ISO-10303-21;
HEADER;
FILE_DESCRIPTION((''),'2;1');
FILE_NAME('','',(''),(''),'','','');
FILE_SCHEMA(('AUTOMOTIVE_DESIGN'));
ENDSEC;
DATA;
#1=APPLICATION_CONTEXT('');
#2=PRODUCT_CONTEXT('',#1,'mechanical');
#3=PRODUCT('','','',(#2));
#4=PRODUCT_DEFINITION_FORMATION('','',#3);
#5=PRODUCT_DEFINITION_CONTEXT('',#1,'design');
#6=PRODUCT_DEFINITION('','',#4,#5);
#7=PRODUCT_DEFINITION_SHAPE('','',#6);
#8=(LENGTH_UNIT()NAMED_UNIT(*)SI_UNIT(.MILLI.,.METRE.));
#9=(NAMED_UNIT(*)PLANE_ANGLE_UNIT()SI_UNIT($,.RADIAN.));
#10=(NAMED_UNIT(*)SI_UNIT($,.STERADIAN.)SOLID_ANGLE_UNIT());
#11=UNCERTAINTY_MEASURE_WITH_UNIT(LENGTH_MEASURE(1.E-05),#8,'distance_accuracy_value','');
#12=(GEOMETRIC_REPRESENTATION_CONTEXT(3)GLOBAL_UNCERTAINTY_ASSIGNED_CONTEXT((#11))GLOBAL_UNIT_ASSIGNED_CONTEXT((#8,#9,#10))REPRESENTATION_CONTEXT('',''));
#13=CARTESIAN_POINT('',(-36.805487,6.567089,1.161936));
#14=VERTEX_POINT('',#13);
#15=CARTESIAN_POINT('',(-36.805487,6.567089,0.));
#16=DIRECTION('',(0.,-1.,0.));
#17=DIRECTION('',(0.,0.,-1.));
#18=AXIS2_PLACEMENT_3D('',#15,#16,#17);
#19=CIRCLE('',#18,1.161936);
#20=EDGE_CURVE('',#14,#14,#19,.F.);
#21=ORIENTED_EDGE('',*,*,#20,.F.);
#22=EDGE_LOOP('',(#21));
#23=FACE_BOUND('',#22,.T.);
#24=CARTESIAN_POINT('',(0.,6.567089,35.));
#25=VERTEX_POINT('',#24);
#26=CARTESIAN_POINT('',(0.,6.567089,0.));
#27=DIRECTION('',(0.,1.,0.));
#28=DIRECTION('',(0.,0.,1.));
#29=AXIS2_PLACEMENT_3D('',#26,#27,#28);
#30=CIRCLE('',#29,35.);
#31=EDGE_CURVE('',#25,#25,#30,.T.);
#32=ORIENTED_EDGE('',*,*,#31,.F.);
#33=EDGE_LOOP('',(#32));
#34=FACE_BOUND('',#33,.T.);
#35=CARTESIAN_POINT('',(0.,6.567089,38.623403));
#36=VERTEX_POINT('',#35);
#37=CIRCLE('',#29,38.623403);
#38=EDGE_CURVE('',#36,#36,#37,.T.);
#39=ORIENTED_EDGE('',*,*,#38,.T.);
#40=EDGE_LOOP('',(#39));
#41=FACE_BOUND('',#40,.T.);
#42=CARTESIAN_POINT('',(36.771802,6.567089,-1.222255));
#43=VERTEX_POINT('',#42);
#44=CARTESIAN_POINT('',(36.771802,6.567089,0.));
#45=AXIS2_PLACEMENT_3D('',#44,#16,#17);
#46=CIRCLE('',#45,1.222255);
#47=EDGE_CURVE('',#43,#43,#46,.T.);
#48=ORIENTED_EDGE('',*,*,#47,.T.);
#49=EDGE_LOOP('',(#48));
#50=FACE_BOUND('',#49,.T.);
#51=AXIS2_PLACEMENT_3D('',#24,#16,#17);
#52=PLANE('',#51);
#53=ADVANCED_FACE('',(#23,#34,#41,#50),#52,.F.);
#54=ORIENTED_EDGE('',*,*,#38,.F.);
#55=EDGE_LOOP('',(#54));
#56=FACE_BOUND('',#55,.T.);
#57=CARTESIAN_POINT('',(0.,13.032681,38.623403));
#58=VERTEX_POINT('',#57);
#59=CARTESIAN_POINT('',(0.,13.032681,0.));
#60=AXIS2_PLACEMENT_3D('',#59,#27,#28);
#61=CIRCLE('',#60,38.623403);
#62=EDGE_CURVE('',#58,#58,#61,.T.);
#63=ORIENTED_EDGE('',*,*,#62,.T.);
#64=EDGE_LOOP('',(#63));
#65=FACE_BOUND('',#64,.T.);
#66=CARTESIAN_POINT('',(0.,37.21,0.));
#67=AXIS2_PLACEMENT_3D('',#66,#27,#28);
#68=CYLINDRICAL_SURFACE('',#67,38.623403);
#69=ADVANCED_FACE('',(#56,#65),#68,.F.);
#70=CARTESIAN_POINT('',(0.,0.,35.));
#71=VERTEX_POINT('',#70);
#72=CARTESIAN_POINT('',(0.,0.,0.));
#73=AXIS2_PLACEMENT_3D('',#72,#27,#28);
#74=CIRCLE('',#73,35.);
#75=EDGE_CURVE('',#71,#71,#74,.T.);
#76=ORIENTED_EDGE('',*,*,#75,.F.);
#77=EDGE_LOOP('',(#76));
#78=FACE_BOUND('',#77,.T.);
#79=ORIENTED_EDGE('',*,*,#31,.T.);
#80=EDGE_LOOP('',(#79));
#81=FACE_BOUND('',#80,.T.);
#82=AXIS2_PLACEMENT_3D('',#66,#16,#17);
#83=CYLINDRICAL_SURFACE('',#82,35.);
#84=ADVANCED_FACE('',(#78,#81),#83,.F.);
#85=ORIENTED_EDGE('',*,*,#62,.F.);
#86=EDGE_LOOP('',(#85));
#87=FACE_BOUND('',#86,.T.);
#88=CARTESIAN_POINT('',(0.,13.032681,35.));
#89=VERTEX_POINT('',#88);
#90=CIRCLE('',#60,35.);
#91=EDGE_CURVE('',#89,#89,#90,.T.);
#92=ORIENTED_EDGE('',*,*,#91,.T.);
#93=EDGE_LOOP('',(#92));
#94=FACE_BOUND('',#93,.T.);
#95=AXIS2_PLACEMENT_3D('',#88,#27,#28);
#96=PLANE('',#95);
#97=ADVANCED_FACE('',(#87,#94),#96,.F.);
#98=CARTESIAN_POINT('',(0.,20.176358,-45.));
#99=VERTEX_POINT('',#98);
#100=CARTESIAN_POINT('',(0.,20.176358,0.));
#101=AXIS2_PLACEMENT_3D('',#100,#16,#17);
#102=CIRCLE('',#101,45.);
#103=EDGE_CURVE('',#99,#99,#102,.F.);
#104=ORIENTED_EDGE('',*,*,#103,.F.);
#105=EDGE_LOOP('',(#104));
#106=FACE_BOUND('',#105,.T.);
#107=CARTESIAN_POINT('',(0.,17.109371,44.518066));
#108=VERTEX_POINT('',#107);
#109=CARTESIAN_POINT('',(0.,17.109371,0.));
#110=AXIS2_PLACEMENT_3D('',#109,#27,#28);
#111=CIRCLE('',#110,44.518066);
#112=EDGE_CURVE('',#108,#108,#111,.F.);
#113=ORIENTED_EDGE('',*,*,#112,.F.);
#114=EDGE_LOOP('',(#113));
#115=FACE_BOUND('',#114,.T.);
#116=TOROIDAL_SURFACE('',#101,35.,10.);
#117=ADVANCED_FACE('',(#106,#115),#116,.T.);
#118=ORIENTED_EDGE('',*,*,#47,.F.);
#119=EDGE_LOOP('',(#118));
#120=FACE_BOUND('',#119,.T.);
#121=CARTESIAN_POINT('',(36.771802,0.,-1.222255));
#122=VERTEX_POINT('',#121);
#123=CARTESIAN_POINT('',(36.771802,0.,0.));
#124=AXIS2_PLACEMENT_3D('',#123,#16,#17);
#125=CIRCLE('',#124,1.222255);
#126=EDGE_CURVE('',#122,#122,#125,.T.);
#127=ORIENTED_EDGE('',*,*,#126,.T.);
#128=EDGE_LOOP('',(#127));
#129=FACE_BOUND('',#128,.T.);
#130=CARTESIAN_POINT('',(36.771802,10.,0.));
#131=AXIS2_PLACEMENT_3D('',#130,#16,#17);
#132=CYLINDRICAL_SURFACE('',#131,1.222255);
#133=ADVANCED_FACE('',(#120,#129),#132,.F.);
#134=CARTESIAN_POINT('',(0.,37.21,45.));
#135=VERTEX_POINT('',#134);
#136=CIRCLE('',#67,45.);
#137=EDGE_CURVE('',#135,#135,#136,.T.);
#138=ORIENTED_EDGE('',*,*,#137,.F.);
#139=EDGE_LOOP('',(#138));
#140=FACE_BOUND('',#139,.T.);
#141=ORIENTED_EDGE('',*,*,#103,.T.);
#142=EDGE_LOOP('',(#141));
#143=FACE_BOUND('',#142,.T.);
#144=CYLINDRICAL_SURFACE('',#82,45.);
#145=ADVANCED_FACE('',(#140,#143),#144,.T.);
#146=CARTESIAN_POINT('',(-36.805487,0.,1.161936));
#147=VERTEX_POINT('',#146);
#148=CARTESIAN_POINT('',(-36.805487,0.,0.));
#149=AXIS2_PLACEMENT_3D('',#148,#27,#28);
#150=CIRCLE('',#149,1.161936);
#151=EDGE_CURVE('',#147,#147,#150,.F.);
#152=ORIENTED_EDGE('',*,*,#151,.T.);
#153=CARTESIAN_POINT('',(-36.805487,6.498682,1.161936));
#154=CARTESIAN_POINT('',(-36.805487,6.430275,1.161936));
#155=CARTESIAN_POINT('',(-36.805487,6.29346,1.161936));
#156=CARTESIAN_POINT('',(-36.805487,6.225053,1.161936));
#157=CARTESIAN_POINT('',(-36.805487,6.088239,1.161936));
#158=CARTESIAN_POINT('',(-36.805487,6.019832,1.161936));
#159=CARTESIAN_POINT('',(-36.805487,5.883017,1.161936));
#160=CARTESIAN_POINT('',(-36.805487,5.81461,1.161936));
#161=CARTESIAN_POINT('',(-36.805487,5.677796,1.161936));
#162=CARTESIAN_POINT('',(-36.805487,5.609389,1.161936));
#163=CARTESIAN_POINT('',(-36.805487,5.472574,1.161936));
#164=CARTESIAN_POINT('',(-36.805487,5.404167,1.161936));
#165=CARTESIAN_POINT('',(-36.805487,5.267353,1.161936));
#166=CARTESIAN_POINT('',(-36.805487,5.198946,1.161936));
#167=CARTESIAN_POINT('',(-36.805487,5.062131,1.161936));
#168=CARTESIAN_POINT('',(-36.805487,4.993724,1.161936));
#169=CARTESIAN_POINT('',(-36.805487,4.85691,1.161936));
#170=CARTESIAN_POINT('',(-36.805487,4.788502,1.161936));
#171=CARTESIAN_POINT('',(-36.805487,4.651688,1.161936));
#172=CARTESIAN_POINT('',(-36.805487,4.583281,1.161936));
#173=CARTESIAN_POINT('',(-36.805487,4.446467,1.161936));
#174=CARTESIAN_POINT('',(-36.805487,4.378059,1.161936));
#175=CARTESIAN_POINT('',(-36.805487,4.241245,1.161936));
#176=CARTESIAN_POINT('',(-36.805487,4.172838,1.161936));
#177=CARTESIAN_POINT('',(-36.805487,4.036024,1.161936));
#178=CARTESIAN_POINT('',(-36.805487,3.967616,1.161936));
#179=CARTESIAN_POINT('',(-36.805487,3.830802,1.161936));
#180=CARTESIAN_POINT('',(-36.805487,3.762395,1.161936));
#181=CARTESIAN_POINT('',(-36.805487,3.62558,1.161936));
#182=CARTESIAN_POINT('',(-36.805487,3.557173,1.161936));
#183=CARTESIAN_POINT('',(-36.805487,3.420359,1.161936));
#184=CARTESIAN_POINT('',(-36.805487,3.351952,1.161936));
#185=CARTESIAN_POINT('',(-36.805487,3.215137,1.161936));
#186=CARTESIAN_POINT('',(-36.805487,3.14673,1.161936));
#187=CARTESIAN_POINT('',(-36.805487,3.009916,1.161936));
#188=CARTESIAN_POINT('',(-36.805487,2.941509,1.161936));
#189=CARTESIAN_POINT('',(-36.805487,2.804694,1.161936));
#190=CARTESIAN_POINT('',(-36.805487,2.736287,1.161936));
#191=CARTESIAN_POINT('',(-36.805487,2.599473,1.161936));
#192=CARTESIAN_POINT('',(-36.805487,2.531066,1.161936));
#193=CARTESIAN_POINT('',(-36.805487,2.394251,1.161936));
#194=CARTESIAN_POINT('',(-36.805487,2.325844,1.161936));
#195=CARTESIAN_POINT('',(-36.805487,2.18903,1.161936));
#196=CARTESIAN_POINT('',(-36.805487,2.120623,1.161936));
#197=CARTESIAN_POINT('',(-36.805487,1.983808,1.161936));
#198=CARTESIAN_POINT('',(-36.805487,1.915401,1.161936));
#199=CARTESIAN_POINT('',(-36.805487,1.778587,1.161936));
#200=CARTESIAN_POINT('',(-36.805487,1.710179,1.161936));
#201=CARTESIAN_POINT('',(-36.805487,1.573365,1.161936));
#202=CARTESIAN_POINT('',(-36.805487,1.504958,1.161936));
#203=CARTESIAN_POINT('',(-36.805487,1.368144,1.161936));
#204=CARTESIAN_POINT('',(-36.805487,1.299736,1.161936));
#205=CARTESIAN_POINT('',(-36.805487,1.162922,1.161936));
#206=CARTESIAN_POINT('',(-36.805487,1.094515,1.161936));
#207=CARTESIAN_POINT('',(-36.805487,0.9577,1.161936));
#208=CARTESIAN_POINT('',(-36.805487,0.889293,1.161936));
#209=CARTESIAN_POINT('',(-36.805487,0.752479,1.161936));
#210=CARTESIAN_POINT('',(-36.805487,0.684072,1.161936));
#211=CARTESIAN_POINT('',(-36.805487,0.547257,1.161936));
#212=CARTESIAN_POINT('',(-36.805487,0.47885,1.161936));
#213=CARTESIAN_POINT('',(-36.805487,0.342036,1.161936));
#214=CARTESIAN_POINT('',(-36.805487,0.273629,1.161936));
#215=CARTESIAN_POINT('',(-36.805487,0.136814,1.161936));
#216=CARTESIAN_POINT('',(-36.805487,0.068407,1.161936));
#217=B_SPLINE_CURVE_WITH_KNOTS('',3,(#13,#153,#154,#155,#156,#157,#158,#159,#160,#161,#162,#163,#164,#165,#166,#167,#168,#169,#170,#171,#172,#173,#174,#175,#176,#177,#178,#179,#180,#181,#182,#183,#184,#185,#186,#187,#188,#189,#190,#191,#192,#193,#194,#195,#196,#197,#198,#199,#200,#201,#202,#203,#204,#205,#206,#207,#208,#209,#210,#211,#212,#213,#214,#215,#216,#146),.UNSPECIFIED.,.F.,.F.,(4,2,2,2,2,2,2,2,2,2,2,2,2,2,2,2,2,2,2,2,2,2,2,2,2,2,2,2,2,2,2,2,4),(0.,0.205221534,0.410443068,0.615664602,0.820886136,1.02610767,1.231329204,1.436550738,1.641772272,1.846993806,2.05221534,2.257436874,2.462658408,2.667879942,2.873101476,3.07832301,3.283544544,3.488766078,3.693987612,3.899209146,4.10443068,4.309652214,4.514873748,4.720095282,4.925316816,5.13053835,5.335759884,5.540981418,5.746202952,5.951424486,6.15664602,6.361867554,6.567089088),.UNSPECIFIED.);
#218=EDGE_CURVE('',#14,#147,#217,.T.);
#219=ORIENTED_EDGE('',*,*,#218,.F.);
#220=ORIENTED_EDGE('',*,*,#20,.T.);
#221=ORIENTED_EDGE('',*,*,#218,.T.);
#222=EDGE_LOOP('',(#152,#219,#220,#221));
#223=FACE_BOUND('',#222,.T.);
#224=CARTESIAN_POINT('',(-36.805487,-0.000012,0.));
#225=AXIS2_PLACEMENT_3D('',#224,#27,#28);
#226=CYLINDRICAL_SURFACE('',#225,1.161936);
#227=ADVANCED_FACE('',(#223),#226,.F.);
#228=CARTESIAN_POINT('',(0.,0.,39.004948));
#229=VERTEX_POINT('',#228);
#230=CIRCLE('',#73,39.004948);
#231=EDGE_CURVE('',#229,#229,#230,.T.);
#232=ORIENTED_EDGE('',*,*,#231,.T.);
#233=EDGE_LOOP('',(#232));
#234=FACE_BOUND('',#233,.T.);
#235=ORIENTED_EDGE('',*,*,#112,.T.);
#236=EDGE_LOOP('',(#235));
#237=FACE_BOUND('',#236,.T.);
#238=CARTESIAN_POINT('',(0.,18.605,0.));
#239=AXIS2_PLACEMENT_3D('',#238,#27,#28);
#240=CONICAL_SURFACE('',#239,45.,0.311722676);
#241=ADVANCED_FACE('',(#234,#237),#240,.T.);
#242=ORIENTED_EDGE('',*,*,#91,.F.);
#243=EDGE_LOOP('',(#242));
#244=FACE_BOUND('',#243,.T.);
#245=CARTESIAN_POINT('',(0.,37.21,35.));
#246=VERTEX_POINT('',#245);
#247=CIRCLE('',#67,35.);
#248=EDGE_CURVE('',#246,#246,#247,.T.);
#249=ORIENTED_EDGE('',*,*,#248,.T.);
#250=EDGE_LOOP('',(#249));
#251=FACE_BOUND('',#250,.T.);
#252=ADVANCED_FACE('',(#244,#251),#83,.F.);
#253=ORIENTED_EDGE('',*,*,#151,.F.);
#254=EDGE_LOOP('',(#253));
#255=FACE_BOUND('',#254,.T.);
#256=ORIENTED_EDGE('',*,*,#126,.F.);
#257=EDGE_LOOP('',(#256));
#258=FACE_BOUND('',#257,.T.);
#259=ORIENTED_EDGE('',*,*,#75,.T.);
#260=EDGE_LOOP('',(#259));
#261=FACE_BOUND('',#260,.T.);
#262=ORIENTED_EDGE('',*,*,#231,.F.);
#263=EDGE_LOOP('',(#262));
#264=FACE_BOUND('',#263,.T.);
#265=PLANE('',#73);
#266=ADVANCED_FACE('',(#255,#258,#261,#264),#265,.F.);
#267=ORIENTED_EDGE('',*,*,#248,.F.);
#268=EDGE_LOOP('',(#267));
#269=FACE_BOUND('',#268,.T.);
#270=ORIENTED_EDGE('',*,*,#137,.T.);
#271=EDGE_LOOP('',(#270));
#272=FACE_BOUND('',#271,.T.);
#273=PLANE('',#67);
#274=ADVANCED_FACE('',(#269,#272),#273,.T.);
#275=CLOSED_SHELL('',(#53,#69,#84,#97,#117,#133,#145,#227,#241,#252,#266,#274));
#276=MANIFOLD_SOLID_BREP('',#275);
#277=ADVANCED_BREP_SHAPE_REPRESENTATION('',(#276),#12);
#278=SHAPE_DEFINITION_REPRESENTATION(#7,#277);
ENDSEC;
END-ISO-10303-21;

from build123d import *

# Parameters (mm, degrees)
SKETCH1_R               = 45
SKETCH1_R_2             = 35
BOSS_EXTRUDE1_DEPTH     = 37.21
FILLET1_R               = 10
SKETCH3_W               = 3.623403209
SKETCH3_H               = 6.465591727
CUT_EXTRUDE3_DEPTH      = 74.719632638
CUT_EXTRUDE3_DEPTH_BACK = 10
SKETCH4_R               = 1.161936473
SKETCH5_R               = 1.222255242
CUT_EXTRUDE4_DEPTH      = 10


with BuildPart() as part:
    # Sketch1 → Boss-Extrude1 (new body)
    with BuildSketch(Plane(origin=(0, 0, 0), x_dir=(1, 0, 0), z_dir=(0, 1, 0))):
        with Locations(Location((0, 0, 0), (0, 0, 270))):
            Circle(SKETCH1_R)
        with Locations(Location((0, 0, 0), (0, 0, 270))):
            Circle(SKETCH1_R_2, mode=Mode.SUBTRACT)
    extrude(amount=BOSS_EXTRUDE1_DEPTH)

    # Sketch2 → Cut-Revolve2 (revolve, cut)
    with BuildSketch(Plane(origin=(0, 0, 0), x_dir=(0, 0, -1), z_dir=(1, 0, 0)), mode=Mode.PRIVATE) as cut_revolve2_sk:
        Polygon((45, 18.605), (39.004948157, 0), (45, 0), align=None)
    revolve(cut_revolve2_sk.sketch.rotate(Axis((0, 37.21, 0), (0, -1, 0)), 180), axis=Axis((0, 37.21, 0), (0, -1, 0)), mode=Mode.SUBTRACT)

    # Fillet1
    fillet1_edges = [part.edges().sort_by_distance(p)[0] for p in [
        (0, 18.605, -45),
    ]]
    fillet(fillet1_edges, radius=FILLET1_R)

    # Sketch3 → Cut-Revolve3 (revolve, cut)
    with BuildSketch(Plane(origin=(0, 0, 0), x_dir=(0, 0, -1), z_dir=(1, 0, 0))):
        with Locations((-36.811701605, 9.799884952)):
            Rectangle(SKETCH3_W, SKETCH3_H)
    revolve(axis=Axis((0, 37.21, 0), (0, -1, 0)), mode=Mode.SUBTRACT)

    # Sketch4 → Cut-Extrude3 (cut, two sides: drawn at the far end of the back side and taken through both)
    with BuildSketch(Plane(origin=(0, 0, 0), x_dir=(-1, 0, 0), z_dir=(0, -1, 0)).offset(-CUT_EXTRUDE3_DEPTH_BACK)):
        with Locations(Location((36.80548689, 0, 0), (0, 0, 270))):
            Circle(SKETCH4_R)
    extrude(amount=CUT_EXTRUDE3_DEPTH + CUT_EXTRUDE3_DEPTH_BACK, mode=Mode.SUBTRACT)

    # Sketch5 → Cut-Extrude4 (cut)
    with BuildSketch(Plane(origin=(0, 0, 0), x_dir=(-1, 0, 0), z_dir=(0, -1, 0))):
        with Locations(Location((-36.771801863, 0, 0), (0, 0, 90))):
            Circle(SKETCH5_R)
    extrude(amount=-CUT_EXTRUDE4_DEPTH, mode=Mode.SUBTRACT)


solid = part.part
